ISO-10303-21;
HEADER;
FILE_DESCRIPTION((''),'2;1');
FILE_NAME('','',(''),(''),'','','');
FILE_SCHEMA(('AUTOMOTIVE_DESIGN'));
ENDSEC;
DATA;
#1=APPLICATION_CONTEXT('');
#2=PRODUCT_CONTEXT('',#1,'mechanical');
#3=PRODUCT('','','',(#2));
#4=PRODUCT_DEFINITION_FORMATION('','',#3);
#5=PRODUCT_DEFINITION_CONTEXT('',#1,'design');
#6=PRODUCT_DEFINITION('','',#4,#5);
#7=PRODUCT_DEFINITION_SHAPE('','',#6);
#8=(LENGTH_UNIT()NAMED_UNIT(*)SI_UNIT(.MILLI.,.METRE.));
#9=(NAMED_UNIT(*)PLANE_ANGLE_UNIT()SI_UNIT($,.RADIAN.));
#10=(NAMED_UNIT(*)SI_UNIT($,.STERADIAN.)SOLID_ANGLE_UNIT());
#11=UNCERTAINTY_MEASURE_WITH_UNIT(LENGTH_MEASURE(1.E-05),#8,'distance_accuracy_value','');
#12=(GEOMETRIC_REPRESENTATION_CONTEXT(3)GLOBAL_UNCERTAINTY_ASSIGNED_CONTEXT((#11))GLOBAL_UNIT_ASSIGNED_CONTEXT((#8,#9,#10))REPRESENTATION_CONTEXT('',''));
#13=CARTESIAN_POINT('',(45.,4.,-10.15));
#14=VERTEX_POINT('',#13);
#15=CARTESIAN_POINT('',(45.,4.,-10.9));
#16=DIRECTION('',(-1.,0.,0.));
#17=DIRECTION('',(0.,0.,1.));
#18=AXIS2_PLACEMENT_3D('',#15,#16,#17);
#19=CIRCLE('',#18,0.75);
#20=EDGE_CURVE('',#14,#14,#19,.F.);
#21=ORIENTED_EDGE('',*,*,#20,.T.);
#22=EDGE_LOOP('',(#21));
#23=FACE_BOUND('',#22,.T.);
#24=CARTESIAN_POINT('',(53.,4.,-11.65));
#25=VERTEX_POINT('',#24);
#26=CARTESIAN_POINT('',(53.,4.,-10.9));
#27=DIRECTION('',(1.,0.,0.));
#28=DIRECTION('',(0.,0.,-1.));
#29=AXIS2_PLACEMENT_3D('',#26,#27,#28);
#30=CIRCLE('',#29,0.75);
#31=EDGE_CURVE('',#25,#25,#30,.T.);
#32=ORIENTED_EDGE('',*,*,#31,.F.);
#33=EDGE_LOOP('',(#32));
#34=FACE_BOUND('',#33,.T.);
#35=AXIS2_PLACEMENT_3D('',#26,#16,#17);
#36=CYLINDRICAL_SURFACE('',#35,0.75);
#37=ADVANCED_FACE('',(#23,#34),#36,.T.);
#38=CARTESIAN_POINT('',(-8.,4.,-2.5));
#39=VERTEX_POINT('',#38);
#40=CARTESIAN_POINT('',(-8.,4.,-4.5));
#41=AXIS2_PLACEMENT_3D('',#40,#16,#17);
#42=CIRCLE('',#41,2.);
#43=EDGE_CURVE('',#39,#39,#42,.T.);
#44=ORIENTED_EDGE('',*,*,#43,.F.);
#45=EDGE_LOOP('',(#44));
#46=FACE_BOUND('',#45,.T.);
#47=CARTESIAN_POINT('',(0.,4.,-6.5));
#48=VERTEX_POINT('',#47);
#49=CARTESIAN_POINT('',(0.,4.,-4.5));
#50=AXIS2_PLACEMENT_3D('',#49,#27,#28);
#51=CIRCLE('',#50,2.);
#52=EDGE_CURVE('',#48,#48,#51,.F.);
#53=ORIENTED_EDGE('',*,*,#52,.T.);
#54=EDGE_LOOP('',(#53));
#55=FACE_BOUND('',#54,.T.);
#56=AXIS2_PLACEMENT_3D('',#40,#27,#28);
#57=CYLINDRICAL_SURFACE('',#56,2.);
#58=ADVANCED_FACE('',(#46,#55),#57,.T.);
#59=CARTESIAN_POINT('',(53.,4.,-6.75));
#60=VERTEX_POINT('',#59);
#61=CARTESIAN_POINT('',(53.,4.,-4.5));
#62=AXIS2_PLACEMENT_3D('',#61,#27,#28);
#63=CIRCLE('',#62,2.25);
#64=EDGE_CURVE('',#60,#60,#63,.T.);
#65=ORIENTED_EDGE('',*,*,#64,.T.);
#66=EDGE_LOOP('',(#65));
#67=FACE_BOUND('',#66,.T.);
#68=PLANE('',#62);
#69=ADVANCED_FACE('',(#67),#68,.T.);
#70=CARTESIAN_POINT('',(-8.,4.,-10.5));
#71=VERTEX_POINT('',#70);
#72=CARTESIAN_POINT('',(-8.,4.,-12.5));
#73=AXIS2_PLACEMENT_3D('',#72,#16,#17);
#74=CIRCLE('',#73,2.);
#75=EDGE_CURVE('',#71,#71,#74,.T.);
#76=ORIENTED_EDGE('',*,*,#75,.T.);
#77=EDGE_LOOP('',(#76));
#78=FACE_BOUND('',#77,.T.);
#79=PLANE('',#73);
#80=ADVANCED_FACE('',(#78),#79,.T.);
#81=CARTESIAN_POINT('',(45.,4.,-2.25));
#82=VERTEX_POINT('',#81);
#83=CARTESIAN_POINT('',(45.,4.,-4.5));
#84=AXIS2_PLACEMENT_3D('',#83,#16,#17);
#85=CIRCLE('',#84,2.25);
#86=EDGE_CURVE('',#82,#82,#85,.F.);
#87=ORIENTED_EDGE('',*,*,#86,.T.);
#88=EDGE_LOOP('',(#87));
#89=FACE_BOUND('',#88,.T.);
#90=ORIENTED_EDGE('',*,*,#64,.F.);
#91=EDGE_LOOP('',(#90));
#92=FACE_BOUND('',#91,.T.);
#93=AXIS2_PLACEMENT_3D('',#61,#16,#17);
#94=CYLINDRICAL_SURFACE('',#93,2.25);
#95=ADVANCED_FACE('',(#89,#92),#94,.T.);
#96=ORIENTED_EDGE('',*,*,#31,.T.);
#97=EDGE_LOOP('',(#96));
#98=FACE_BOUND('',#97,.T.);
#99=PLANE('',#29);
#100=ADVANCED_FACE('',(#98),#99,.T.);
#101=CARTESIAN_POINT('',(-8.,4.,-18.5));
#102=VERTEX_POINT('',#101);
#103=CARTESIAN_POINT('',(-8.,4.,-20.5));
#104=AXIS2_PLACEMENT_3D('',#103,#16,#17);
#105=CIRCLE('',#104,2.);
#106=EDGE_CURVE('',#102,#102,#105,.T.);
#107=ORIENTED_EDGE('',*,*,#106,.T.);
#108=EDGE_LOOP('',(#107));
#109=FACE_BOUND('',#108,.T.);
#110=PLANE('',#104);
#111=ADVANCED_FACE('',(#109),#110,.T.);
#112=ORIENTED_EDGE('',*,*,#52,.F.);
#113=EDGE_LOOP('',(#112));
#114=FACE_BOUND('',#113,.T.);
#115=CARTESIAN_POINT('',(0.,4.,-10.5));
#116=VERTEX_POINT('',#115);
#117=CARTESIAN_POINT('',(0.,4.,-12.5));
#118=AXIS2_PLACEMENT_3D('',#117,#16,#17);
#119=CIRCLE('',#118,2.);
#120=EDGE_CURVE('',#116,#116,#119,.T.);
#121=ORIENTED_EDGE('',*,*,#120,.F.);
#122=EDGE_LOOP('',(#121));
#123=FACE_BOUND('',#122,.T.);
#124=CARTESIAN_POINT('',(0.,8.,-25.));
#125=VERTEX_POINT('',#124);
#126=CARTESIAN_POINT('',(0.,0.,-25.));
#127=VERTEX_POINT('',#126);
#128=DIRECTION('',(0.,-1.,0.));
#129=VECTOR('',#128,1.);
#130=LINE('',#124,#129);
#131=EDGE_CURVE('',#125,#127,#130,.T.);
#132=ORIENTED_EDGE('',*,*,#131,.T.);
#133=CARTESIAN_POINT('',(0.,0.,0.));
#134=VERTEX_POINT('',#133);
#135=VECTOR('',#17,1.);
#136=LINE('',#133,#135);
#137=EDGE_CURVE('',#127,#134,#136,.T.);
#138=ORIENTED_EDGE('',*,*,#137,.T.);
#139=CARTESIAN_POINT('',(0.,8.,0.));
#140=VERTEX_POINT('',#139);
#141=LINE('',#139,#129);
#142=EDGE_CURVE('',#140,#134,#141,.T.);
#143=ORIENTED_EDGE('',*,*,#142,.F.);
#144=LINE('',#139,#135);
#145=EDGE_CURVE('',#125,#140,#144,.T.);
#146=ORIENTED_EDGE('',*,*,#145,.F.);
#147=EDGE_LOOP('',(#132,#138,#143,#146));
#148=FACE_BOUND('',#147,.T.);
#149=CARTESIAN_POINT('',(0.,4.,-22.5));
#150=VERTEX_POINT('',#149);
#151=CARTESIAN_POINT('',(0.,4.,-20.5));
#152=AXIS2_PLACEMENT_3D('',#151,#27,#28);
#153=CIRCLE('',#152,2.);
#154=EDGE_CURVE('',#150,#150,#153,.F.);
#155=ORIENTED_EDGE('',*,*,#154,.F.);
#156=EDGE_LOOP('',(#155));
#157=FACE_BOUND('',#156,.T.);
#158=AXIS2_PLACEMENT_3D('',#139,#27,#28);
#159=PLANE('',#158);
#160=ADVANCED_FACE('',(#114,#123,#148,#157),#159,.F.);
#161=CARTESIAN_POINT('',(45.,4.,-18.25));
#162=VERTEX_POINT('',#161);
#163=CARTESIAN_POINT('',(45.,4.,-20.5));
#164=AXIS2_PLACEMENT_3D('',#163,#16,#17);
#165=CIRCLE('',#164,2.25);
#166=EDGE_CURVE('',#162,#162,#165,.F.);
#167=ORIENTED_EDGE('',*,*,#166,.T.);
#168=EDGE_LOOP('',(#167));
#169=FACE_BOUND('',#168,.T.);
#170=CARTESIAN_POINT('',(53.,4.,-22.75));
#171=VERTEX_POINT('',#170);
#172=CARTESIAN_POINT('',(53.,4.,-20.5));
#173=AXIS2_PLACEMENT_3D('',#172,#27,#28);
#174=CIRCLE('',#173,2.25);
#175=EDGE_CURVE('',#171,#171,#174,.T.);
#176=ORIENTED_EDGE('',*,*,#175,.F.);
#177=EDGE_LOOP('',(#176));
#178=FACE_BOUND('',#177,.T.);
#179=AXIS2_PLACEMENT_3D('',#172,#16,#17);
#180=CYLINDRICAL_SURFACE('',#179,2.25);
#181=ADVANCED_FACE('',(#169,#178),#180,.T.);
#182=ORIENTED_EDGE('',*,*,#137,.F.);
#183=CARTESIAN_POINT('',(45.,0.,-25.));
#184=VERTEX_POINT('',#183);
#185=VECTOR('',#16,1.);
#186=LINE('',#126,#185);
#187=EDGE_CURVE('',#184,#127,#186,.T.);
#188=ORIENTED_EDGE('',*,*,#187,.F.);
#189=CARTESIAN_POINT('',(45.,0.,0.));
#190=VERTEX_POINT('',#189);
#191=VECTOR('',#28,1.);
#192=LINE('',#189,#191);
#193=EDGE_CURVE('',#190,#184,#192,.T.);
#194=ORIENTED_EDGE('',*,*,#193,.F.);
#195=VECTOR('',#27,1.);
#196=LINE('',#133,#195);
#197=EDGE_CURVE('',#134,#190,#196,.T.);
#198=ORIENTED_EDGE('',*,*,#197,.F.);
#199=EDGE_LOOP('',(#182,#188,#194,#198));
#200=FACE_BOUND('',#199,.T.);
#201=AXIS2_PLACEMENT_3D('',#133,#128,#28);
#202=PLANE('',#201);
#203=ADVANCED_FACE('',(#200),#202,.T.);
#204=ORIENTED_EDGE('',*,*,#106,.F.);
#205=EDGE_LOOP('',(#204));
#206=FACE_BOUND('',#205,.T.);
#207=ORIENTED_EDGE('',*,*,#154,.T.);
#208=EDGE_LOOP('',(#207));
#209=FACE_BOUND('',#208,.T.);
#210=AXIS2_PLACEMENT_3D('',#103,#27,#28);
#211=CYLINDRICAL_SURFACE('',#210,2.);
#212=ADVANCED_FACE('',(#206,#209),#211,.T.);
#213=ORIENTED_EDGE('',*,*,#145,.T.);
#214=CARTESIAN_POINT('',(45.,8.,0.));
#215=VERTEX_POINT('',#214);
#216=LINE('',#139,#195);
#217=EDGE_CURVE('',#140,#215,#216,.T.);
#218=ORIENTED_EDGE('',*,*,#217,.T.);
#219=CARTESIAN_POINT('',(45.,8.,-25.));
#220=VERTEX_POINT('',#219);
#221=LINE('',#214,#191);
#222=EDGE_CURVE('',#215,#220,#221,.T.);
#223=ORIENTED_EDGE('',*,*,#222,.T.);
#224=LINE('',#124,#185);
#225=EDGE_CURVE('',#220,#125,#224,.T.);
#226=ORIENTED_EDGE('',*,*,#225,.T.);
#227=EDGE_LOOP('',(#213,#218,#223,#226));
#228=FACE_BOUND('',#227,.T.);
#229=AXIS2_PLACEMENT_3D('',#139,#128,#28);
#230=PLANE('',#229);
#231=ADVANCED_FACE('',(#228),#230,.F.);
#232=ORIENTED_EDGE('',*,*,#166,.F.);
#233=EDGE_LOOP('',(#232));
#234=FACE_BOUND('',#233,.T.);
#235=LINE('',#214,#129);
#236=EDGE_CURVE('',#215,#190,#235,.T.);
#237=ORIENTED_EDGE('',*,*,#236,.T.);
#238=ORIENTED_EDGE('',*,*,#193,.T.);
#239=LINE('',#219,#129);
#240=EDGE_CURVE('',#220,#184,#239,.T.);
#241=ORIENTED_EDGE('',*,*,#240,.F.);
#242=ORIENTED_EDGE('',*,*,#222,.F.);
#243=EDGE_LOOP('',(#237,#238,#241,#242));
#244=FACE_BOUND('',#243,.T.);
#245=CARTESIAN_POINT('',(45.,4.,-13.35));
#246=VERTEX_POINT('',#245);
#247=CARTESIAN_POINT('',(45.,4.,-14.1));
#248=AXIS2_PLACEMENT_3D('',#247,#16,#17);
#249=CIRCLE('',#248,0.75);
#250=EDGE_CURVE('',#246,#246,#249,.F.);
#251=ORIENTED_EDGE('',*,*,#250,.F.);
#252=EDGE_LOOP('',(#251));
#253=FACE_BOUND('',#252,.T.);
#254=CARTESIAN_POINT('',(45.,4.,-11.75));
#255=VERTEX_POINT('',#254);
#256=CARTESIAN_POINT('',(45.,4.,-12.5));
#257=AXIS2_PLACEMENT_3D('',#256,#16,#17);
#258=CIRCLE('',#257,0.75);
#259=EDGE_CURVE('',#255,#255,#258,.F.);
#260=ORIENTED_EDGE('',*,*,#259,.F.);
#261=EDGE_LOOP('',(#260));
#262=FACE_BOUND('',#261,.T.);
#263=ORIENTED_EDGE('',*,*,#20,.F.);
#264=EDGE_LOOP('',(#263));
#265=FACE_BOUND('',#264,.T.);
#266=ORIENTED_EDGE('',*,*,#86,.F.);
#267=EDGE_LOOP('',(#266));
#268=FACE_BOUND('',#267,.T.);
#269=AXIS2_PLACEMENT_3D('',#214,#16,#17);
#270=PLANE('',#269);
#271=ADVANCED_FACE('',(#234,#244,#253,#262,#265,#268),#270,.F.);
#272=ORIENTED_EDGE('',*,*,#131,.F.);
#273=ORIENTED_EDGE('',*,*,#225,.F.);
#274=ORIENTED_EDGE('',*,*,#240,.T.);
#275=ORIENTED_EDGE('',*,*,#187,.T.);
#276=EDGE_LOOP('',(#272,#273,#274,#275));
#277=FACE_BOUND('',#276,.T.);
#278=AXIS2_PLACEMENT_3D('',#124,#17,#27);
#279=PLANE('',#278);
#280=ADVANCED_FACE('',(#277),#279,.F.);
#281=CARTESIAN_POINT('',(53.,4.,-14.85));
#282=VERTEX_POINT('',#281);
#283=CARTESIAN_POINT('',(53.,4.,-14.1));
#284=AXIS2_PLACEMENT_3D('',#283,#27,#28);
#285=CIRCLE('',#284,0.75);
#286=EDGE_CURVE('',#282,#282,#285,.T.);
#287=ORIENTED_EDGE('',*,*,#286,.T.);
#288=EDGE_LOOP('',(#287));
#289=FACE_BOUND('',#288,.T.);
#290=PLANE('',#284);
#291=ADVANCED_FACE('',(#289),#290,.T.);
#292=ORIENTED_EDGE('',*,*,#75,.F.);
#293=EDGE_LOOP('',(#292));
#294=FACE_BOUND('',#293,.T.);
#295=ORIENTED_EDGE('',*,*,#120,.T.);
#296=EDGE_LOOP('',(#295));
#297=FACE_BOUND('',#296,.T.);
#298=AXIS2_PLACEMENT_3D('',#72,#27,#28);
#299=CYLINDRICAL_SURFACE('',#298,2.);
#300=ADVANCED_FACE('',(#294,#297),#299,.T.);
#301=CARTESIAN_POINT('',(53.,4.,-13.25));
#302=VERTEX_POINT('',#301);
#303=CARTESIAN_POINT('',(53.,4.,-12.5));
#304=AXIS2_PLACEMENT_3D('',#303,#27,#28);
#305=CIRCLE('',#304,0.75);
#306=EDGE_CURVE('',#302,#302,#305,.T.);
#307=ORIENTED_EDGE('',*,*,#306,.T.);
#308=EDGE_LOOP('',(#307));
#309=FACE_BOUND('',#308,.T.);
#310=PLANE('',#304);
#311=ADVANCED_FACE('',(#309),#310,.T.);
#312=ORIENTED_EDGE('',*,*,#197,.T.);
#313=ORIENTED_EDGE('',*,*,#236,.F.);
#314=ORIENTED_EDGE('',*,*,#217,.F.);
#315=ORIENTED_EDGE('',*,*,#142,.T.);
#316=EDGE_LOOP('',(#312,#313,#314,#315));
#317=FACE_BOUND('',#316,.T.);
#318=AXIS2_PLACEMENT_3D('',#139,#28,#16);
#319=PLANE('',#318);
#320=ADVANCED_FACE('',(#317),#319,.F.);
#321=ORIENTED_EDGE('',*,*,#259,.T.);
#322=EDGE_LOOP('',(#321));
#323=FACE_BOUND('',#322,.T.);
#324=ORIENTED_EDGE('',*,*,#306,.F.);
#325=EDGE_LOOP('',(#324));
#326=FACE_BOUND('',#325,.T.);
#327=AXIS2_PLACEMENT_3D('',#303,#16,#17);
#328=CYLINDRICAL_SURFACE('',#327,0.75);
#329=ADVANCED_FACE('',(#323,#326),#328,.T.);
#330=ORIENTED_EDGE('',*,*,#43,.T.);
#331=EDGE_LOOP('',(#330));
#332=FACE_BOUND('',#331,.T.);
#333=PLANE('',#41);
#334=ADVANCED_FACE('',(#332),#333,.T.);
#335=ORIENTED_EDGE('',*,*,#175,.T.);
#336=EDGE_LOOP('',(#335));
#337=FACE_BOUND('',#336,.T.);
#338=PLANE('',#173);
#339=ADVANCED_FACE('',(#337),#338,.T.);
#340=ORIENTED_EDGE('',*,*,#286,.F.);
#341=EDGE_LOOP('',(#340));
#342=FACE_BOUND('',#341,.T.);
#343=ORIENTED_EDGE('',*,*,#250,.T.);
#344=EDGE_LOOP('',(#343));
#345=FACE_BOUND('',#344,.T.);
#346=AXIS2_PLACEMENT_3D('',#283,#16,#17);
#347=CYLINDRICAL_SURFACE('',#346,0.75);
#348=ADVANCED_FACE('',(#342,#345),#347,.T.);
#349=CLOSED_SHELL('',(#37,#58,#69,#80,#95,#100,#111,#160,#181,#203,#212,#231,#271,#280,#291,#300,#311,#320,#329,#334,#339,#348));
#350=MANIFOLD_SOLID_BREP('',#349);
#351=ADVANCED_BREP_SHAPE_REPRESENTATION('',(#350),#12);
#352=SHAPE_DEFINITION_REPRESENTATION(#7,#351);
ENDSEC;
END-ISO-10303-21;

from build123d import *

# Parameters (mm, degrees)
SKETCH1_W           = 45
SKETCH1_H           = 25
BOSS_EXTRUDE1_DEPTH = 8
SKETCH2_R           = 2
BOSS_EXTRUDE2_DEPTH = 8
SKETCH3_R           = 2.25
SKETCH3_R_2         = 0.75
BOSS_EXTRUDE5_DEPTH = 8


with BuildPart() as part:
    # Sketch1 → Boss-Extrude1 (new body)
    with BuildSketch(Plane(origin=(0, 0, 0), x_dir=(1, 0, 0), z_dir=(0, 1, 0))):
        with Locations((22.5, 12.5)):
            Rectangle(SKETCH1_W, SKETCH1_H)
    extrude(amount=BOSS_EXTRUDE1_DEPTH)

    # Sketch2 → Boss-Extrude2 (add)
    with BuildSketch(Plane.ZY):
        with Locations((-12.5, 4)):
            Circle(SKETCH2_R)
        with Locations((-20.5, 4)):
            Circle(SKETCH2_R)
        with Locations((-4.5, 4)):
            Circle(SKETCH2_R)
    extrude(amount=BOSS_EXTRUDE2_DEPTH)

    # Sketch3 → Boss-Extrude5 (add)
    with BuildSketch(Plane(origin=(45, 0, 0), x_dir=(0, 0, -1), z_dir=(1, 0, 0))):
        with Locations((4.5, 4)):
            Circle(SKETCH3_R)
        with Locations((20.5, 4)):
            Circle(SKETCH3_R)
        with Locations((10.9, 4)):
            Circle(SKETCH3_R_2)
        with Locations((12.5, 4)):
            Circle(SKETCH3_R_2)
        with Locations((14.1, 4)):
            Circle(SKETCH3_R_2)
    extrude(amount=BOSS_EXTRUDE5_DEPTH)


solid = part.part
